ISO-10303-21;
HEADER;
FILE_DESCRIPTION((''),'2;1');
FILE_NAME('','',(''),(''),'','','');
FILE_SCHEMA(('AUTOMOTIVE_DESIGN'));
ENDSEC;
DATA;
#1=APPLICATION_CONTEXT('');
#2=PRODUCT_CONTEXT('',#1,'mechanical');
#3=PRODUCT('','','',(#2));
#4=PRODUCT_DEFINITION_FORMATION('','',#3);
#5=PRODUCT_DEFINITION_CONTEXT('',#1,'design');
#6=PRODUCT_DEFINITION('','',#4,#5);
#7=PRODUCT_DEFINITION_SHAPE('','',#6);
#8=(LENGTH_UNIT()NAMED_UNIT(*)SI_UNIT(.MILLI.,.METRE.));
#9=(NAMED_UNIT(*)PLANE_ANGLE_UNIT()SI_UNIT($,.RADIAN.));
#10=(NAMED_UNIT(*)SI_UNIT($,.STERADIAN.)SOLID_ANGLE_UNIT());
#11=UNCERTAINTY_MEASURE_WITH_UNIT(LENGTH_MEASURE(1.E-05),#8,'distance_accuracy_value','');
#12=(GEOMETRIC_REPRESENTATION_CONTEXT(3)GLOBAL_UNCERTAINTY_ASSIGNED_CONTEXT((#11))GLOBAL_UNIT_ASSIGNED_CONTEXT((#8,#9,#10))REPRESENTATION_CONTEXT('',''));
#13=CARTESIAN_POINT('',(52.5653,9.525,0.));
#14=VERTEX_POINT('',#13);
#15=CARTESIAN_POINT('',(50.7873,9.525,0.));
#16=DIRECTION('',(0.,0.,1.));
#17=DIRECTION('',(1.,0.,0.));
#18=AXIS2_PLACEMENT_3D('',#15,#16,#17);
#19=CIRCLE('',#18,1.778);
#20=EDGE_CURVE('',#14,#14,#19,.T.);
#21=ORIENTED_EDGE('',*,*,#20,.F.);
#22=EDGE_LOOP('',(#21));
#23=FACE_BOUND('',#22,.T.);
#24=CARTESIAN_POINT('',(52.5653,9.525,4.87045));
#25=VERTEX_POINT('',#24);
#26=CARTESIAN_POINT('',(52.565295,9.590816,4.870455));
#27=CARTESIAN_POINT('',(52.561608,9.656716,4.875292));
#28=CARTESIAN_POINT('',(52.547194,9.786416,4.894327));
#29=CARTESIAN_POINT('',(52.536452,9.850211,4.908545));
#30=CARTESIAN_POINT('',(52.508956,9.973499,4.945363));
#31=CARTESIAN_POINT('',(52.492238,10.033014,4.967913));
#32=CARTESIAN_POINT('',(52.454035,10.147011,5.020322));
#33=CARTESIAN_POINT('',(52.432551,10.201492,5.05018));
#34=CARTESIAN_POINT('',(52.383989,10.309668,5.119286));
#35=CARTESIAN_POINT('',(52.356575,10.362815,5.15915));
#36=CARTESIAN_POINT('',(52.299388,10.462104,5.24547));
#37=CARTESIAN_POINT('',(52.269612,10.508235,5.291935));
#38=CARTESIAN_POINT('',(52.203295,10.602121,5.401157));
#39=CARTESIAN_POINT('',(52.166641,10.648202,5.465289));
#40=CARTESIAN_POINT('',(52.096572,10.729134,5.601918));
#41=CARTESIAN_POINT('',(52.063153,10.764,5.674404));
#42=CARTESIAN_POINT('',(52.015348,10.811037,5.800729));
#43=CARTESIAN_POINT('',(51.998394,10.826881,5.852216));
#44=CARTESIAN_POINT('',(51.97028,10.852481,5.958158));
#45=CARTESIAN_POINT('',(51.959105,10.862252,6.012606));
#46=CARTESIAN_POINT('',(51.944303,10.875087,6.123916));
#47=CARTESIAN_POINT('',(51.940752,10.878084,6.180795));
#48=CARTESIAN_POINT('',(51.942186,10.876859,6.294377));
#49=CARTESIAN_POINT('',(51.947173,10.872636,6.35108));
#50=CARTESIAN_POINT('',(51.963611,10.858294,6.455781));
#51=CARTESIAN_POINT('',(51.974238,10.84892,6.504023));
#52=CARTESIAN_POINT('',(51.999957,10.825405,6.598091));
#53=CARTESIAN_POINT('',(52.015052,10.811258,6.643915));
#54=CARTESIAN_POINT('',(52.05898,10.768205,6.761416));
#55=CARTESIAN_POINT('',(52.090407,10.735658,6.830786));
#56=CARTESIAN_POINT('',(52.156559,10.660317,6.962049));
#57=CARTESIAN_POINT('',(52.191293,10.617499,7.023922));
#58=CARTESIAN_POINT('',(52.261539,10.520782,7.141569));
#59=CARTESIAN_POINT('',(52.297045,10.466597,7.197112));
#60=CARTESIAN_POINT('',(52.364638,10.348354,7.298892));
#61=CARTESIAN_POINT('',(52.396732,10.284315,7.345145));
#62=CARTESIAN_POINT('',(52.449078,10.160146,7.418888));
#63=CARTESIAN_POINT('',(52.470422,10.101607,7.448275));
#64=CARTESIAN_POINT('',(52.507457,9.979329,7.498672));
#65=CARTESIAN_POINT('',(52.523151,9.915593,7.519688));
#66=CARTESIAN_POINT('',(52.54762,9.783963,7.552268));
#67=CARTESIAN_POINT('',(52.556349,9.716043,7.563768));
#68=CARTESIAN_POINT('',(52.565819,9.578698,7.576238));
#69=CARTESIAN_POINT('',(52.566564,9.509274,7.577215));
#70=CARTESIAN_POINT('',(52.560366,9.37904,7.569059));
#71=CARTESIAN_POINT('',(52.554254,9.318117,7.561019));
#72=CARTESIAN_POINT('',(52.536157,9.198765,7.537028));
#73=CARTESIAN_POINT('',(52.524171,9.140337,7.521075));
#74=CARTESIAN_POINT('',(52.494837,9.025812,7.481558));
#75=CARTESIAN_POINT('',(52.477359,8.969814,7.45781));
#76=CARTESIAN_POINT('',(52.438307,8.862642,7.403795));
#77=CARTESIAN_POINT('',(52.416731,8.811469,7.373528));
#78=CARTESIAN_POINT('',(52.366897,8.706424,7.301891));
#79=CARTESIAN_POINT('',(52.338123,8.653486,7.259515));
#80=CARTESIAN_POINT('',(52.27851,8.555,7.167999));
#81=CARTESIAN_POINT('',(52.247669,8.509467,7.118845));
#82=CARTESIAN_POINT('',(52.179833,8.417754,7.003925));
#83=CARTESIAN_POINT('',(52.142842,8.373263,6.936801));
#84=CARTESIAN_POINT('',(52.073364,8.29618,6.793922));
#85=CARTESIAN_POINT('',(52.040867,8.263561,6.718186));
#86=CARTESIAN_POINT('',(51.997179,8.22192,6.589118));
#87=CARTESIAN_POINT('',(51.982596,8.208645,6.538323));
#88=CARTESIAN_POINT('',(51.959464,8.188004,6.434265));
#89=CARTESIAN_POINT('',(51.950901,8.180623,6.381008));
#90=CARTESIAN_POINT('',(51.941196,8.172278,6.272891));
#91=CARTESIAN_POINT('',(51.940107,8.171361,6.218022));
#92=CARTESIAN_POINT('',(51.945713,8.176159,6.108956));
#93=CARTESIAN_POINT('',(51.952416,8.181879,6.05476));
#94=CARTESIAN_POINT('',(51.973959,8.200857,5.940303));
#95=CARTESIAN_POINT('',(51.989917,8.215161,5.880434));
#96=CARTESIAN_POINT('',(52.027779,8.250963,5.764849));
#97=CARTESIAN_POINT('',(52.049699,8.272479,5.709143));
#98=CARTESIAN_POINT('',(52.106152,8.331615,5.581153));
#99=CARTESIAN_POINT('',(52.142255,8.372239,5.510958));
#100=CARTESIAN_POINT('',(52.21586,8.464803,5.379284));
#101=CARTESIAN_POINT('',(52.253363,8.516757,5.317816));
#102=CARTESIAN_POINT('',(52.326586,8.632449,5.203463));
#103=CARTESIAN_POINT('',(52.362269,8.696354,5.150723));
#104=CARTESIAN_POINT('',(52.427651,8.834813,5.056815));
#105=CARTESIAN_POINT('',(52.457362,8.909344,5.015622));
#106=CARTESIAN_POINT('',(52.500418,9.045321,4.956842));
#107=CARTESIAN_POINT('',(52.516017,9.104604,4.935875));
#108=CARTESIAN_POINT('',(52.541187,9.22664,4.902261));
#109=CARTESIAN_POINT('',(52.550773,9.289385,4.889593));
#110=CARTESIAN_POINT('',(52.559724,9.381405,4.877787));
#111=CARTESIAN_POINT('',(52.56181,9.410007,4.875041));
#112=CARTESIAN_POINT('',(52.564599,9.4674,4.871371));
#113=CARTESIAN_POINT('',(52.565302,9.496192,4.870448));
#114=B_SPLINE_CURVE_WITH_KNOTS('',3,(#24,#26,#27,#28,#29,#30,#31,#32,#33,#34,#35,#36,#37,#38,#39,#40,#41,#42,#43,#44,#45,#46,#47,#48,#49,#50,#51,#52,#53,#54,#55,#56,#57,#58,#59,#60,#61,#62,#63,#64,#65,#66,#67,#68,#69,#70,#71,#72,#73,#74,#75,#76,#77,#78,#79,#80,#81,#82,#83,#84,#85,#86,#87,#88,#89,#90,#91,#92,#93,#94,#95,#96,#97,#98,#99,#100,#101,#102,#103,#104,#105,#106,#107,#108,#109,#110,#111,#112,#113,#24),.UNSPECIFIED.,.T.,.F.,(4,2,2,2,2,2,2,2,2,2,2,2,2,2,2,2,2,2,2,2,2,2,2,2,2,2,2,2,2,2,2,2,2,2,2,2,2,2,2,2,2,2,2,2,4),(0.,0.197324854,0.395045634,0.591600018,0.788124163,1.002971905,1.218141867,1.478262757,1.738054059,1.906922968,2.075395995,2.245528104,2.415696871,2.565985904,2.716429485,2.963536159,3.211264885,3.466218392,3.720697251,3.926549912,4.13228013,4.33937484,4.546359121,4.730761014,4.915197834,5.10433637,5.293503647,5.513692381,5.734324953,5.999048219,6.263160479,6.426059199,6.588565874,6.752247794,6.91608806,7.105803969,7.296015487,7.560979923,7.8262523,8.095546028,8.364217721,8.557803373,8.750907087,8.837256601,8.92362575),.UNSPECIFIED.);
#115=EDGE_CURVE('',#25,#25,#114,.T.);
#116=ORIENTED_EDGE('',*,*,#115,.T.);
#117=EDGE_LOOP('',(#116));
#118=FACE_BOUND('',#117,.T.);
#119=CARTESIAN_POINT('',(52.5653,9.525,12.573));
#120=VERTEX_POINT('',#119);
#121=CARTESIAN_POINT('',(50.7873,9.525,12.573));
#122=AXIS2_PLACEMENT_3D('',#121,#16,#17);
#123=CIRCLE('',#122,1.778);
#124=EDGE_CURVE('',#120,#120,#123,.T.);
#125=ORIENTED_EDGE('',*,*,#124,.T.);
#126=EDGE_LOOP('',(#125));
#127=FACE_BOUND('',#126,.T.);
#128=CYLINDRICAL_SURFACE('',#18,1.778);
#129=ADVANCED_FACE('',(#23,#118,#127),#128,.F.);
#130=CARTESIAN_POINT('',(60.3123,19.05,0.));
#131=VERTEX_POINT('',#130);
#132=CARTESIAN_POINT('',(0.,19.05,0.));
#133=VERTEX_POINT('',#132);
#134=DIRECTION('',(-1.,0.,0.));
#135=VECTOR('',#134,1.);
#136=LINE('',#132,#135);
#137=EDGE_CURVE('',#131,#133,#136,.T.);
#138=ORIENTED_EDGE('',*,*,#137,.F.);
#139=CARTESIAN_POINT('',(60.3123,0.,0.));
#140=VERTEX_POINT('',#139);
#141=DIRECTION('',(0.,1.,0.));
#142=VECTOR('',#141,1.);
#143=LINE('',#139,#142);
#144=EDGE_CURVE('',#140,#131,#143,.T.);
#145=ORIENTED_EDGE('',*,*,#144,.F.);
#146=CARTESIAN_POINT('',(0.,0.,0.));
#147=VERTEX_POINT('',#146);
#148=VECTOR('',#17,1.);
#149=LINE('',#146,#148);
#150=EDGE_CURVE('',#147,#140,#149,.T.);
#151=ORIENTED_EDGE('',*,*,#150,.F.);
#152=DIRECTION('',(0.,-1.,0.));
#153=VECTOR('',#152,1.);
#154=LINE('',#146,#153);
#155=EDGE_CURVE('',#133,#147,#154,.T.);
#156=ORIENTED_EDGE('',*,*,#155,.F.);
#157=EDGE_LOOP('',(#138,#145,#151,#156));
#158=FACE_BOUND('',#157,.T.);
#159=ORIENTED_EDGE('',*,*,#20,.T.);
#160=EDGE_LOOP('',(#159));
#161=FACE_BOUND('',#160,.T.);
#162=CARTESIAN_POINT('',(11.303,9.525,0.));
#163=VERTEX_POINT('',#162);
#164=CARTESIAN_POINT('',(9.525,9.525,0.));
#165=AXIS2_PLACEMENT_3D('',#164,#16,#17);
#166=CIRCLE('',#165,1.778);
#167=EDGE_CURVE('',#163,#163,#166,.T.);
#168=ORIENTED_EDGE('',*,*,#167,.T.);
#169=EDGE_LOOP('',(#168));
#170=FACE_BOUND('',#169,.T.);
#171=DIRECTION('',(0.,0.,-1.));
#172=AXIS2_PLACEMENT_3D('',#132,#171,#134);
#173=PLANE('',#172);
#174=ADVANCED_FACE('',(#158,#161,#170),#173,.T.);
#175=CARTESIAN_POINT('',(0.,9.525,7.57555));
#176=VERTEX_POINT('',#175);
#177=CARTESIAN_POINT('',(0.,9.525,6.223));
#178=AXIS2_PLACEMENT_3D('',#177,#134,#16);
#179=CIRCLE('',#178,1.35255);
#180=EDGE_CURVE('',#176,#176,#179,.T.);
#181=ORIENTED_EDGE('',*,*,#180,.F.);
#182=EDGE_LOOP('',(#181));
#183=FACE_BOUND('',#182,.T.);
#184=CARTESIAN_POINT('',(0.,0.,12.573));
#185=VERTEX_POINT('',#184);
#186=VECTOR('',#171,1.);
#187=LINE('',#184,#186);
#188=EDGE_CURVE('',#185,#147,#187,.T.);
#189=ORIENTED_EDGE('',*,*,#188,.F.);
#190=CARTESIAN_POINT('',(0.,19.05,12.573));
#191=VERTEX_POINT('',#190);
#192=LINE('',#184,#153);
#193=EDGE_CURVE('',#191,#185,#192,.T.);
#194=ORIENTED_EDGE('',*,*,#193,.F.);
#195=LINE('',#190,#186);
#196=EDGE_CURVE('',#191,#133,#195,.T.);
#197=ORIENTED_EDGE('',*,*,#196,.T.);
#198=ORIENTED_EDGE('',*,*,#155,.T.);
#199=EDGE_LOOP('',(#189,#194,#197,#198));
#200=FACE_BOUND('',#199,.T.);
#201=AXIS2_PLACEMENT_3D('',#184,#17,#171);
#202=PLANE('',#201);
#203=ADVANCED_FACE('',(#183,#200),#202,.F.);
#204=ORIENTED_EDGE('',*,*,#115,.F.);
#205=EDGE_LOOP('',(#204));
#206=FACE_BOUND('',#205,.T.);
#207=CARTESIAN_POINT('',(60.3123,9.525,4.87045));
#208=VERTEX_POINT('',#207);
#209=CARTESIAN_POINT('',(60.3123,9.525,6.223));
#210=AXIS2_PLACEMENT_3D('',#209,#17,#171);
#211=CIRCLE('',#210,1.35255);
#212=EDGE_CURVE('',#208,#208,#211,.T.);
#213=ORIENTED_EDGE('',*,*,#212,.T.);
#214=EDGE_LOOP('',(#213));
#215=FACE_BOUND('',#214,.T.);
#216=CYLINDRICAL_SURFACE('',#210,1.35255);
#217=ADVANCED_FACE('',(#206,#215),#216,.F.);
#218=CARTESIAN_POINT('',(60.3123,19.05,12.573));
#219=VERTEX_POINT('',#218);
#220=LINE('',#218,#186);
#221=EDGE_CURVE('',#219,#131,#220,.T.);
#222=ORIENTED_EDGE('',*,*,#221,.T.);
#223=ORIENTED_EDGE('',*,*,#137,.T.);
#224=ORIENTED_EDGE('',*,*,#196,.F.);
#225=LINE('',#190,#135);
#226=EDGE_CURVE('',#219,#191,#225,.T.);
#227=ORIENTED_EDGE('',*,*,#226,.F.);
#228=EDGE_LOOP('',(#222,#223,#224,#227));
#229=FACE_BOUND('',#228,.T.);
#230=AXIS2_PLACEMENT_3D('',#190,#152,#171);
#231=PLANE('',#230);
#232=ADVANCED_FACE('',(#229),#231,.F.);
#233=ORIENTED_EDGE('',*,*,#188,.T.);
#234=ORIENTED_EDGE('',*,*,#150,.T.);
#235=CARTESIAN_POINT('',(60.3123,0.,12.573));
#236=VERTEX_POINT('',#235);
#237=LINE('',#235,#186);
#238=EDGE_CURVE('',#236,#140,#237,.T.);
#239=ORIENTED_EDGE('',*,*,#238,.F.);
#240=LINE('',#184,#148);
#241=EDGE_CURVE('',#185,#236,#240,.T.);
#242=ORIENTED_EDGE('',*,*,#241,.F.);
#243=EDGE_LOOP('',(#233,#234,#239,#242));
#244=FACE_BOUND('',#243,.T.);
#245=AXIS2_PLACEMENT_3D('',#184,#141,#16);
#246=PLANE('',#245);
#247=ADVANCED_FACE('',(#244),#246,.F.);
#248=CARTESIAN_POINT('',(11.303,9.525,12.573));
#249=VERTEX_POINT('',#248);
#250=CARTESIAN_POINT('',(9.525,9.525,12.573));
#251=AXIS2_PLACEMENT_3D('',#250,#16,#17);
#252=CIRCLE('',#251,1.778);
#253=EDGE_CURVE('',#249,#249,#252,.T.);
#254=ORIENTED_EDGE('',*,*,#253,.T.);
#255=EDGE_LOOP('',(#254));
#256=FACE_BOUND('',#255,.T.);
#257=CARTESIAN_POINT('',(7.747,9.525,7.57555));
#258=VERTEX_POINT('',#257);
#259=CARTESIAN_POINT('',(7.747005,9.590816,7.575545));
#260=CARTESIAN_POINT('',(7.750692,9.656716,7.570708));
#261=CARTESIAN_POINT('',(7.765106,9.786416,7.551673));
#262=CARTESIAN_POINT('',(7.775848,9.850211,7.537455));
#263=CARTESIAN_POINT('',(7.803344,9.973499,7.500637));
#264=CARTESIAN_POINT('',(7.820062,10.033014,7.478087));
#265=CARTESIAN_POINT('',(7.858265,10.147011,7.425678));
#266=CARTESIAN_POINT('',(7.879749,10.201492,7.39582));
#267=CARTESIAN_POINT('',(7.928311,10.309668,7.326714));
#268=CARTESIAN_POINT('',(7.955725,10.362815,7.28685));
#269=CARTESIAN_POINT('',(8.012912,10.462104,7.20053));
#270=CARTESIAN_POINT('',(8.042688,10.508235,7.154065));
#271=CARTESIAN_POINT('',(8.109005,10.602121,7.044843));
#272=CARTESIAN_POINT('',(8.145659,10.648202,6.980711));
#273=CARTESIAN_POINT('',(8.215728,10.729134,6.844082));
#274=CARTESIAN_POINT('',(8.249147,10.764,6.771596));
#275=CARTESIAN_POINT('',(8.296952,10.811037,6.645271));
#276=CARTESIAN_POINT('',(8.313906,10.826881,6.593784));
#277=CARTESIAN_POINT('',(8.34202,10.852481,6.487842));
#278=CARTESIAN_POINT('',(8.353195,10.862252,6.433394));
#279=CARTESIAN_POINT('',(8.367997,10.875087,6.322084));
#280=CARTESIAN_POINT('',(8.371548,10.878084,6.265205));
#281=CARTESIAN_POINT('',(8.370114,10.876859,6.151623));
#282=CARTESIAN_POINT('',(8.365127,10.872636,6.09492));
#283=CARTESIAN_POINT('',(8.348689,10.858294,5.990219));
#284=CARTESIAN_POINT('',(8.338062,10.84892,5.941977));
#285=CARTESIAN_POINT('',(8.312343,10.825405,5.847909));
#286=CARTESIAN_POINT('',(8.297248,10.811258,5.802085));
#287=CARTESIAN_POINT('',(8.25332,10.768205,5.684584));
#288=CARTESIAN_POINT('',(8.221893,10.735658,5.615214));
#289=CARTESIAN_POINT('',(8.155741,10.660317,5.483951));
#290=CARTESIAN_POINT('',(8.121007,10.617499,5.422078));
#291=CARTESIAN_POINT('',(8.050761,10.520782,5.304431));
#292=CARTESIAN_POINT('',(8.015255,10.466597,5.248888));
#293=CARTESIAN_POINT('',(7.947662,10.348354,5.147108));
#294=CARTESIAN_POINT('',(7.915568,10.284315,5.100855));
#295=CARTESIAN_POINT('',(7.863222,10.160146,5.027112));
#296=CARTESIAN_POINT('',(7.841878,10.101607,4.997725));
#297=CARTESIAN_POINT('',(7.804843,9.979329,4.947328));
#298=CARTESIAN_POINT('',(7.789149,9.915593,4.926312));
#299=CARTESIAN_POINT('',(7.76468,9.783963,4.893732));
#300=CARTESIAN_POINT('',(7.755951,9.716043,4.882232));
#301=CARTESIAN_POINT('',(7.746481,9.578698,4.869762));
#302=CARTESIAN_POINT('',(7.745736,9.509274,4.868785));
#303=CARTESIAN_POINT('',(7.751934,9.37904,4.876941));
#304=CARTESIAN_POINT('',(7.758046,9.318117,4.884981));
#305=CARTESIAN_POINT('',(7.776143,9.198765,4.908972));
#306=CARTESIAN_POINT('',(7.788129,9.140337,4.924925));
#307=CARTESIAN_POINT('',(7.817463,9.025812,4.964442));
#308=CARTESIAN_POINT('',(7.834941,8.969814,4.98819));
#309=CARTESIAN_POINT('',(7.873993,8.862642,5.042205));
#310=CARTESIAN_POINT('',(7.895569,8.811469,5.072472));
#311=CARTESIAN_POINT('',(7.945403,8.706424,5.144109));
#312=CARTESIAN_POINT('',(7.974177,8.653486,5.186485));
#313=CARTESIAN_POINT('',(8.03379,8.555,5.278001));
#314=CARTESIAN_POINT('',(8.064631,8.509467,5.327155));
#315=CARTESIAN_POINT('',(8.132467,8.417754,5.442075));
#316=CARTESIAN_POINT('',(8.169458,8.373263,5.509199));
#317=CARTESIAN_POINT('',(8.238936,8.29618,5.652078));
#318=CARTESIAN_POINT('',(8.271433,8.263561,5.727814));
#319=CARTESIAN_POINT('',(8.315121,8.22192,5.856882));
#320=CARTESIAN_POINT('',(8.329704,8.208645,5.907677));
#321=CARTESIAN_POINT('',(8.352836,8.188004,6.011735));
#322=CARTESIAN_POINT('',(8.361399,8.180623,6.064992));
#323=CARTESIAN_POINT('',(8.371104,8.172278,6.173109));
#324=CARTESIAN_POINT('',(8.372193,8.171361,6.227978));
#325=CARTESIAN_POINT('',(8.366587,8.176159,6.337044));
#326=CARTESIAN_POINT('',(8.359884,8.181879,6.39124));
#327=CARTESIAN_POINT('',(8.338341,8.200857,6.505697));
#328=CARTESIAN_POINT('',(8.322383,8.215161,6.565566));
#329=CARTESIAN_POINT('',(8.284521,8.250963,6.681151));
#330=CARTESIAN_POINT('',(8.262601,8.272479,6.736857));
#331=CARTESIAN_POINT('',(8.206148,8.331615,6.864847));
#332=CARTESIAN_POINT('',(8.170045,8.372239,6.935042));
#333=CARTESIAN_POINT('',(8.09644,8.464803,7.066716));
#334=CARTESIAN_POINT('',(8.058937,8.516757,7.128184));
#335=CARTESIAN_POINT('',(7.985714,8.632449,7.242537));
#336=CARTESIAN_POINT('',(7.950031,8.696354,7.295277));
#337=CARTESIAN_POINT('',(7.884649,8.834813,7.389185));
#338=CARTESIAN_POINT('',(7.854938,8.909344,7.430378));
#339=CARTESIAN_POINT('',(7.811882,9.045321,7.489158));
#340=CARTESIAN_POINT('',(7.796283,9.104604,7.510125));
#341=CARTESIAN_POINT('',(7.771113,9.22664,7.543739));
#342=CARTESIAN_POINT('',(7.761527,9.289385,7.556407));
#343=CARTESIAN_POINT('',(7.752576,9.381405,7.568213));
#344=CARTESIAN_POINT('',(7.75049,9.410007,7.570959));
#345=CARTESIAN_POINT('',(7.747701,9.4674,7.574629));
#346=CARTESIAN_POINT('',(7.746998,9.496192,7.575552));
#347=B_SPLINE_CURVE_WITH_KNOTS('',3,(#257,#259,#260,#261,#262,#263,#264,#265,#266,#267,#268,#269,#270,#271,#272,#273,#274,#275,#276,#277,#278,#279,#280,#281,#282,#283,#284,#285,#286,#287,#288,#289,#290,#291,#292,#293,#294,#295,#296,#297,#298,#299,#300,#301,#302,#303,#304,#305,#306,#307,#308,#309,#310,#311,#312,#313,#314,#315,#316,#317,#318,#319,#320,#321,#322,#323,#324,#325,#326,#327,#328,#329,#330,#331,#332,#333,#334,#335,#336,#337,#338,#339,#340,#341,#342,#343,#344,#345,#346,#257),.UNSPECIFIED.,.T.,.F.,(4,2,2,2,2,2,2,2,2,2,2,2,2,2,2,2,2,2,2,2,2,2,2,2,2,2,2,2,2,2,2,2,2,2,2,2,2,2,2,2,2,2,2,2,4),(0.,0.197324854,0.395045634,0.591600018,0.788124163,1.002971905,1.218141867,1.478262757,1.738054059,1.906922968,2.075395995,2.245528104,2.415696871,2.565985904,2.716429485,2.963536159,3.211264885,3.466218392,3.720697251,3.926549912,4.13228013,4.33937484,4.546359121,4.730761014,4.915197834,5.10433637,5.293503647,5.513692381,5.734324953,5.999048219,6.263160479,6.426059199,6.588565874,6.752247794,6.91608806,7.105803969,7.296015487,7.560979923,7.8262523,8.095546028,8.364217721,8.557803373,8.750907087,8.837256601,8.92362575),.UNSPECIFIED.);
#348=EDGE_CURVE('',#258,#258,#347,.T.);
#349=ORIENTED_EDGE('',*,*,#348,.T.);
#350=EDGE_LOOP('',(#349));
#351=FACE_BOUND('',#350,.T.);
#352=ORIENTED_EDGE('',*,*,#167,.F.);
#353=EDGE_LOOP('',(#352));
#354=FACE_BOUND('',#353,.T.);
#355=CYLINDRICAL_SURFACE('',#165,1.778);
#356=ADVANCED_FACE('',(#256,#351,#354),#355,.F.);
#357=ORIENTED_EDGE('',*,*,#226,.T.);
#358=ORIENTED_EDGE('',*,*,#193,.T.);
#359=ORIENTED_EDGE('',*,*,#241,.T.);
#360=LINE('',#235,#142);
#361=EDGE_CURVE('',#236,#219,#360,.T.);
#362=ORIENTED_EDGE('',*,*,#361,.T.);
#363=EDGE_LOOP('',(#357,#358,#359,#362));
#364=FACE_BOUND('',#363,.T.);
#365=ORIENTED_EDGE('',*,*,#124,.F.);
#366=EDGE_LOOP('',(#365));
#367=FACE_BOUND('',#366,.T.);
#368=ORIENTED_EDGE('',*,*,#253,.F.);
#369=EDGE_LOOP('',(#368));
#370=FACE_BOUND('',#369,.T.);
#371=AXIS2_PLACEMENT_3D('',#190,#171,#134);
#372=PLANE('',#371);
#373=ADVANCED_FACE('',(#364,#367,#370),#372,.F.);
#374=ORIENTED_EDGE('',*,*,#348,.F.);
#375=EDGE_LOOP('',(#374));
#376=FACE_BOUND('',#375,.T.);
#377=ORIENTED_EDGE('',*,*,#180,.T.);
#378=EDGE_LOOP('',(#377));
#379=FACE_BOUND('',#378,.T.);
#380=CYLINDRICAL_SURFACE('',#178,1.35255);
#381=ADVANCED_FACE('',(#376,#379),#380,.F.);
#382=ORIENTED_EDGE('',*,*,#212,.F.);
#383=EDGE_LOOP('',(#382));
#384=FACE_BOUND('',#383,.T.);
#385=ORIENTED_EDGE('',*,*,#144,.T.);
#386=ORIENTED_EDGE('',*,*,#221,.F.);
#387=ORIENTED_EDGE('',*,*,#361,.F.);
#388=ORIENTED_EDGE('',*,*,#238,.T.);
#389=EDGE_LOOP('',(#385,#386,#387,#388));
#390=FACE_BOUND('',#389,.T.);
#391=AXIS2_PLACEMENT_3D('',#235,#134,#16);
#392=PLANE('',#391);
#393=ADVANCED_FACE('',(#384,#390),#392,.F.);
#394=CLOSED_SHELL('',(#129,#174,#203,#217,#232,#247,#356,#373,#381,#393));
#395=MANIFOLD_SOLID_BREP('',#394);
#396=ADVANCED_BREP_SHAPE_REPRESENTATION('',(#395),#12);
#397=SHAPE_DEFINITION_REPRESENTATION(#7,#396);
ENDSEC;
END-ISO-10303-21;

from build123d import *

# Parameters (mm, degrees)
SKETCH1_W                 = 60.3123
SKETCH1_H                 = 19.05
EXTRUDE1_DEPTH            = 12.573
SKETCH2_R                 = 1.778
CUT_EXTRUDE1_DEPTH        = 13.573
F_6_32_TAPPED_HOLE1_D     = 2.7051
F_6_32_TAPPED_HOLE1_DEPTH = 9.525
F_6_32_TAPPED_HOLE1_TIP   = 0.81269403
F_6_32_TAPPED_HOLE2_D     = 2.7051
F_6_32_TAPPED_HOLE2_DEPTH = 9.525
F_6_32_TAPPED_HOLE2_TIP   = 0.81269403


with BuildPart() as part:
    # Sketch1 → Extrude1 (new body)
    with BuildSketch(Plane.XY):
        with Locations((30.15615, 9.525)):
            Rectangle(SKETCH1_W, SKETCH1_H)
    extrude(amount=EXTRUDE1_DEPTH)

    # Sketch2 → Cut-Extrude1 (cut, through all)
    with BuildSketch(Plane.XY.offset(12.573)):
        with Locations((9.525, 9.525)):
            Circle(SKETCH2_R)
        with Locations((50.7873, 9.525)):
            Circle(SKETCH2_R)
    extrude(amount=-CUT_EXTRUDE1_DEPTH, mode=Mode.SUBTRACT)

    # #6-32 Tapped Hole1
    with Locations(Plane.ZY):
        with Locations((6.223, 9.525)):
            Hole(F_6_32_TAPPED_HOLE1_D / 2, depth=F_6_32_TAPPED_HOLE1_DEPTH)
            with Locations((0, 0, -(F_6_32_TAPPED_HOLE1_DEPTH + F_6_32_TAPPED_HOLE1_TIP / 2))):  # 118° drill point
                Cone(0, F_6_32_TAPPED_HOLE1_D / 2, F_6_32_TAPPED_HOLE1_TIP, mode=Mode.SUBTRACT)

    # #6-32 Tapped Hole2
    with Locations(Plane(origin=(60.3123, 0, 0), x_dir=(0, 0, -1), z_dir=(1, 0, 0))):
        with Locations((-6.223, 9.525)):
            Hole(F_6_32_TAPPED_HOLE2_D / 2, depth=F_6_32_TAPPED_HOLE2_DEPTH)
            with Locations((0, 0, -(F_6_32_TAPPED_HOLE2_DEPTH + F_6_32_TAPPED_HOLE2_TIP / 2))):  # 118° drill point
                Cone(0, F_6_32_TAPPED_HOLE2_D / 2, F_6_32_TAPPED_HOLE2_TIP, mode=Mode.SUBTRACT)


solid = part.part
